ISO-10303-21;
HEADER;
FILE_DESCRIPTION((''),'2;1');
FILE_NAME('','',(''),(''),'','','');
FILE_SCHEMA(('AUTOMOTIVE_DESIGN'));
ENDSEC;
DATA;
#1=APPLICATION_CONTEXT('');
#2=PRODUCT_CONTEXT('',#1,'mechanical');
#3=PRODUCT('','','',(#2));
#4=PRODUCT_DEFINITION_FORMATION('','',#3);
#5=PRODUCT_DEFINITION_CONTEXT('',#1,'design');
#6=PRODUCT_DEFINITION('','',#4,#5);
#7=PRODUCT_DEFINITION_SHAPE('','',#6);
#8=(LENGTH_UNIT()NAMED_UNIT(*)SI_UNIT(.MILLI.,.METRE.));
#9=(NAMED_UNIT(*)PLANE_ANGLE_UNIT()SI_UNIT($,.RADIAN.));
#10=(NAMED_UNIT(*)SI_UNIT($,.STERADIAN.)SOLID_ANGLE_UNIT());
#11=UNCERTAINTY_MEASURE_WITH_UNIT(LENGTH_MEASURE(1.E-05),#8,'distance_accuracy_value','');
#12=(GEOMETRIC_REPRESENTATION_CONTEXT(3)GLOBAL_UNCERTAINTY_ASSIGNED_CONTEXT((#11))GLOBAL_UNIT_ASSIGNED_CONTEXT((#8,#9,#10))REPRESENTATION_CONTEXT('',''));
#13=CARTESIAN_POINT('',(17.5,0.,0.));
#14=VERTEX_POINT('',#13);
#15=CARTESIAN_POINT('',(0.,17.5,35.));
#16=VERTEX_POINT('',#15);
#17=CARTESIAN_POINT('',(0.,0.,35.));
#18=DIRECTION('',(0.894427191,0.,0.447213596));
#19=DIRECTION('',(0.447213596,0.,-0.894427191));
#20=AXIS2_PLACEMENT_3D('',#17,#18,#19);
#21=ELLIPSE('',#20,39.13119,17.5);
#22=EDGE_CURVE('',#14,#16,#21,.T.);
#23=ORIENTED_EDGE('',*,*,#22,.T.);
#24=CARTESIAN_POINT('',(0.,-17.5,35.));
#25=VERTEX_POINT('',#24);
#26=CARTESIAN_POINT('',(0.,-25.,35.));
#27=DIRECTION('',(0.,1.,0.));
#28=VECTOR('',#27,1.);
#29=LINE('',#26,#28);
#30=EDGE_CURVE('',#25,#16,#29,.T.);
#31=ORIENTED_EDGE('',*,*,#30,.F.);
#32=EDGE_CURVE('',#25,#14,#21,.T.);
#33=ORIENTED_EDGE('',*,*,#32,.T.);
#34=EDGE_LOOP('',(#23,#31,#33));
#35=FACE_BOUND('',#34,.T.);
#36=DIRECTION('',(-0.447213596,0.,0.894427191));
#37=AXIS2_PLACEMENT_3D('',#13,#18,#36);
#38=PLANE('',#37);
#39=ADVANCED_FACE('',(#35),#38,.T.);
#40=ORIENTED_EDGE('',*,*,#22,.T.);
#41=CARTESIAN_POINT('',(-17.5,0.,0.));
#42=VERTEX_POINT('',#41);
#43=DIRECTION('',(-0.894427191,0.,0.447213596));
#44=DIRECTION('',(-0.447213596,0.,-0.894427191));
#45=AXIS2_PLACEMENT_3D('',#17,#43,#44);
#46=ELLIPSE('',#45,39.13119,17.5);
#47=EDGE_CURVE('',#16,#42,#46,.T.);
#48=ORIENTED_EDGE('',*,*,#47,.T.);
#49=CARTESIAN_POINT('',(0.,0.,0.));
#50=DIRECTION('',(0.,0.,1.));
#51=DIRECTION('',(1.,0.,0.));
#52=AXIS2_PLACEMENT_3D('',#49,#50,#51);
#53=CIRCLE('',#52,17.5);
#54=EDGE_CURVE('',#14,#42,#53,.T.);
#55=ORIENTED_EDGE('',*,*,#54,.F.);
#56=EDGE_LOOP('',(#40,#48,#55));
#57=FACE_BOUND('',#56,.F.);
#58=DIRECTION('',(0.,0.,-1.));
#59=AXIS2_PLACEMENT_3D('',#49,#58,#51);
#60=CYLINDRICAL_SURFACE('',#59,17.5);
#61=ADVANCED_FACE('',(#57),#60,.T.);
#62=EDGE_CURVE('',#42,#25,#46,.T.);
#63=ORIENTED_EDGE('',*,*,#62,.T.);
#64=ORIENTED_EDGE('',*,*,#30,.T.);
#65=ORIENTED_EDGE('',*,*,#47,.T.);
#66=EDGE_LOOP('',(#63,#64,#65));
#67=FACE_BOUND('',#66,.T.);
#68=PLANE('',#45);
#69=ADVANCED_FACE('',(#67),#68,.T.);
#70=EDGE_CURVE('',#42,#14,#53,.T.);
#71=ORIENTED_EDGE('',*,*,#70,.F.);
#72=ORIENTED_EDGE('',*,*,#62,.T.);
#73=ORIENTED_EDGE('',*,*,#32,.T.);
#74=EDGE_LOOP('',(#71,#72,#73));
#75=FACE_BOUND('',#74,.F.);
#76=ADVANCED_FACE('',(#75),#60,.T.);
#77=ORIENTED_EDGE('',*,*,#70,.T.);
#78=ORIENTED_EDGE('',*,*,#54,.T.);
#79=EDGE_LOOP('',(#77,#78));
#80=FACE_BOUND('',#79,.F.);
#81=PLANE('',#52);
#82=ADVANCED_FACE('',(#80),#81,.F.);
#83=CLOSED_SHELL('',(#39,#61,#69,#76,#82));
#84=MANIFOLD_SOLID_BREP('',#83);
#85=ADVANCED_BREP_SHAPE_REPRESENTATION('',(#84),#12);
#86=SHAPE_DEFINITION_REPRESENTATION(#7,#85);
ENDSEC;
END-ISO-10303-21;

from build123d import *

# Parameters (mm, degrees)
F0_R     = 17.5
F1_DEPTH = 35
F3_DEPTH = 25


with BuildPart() as f1:
    # F0 (on Top) → F1 (new body)
    with BuildSketch(Plane.XY):
        Circle(F0_R)
    extrude(amount=F1_DEPTH)


with BuildPart() as f3:
    # F2 (on Front) → F3 (new body, symmetric)
    with BuildSketch(Plane.XZ):
        Polygon((0, 35), (-17.5, 0), (17.5, 0), align=None)
    extrude(amount=F3_DEPTH, both=True)


with BuildPart() as f1_1:
    add(f1.part)

    # F4: intersect F3
    add(f3.part, mode=Mode.INTERSECT)


solid = f1_1.part
